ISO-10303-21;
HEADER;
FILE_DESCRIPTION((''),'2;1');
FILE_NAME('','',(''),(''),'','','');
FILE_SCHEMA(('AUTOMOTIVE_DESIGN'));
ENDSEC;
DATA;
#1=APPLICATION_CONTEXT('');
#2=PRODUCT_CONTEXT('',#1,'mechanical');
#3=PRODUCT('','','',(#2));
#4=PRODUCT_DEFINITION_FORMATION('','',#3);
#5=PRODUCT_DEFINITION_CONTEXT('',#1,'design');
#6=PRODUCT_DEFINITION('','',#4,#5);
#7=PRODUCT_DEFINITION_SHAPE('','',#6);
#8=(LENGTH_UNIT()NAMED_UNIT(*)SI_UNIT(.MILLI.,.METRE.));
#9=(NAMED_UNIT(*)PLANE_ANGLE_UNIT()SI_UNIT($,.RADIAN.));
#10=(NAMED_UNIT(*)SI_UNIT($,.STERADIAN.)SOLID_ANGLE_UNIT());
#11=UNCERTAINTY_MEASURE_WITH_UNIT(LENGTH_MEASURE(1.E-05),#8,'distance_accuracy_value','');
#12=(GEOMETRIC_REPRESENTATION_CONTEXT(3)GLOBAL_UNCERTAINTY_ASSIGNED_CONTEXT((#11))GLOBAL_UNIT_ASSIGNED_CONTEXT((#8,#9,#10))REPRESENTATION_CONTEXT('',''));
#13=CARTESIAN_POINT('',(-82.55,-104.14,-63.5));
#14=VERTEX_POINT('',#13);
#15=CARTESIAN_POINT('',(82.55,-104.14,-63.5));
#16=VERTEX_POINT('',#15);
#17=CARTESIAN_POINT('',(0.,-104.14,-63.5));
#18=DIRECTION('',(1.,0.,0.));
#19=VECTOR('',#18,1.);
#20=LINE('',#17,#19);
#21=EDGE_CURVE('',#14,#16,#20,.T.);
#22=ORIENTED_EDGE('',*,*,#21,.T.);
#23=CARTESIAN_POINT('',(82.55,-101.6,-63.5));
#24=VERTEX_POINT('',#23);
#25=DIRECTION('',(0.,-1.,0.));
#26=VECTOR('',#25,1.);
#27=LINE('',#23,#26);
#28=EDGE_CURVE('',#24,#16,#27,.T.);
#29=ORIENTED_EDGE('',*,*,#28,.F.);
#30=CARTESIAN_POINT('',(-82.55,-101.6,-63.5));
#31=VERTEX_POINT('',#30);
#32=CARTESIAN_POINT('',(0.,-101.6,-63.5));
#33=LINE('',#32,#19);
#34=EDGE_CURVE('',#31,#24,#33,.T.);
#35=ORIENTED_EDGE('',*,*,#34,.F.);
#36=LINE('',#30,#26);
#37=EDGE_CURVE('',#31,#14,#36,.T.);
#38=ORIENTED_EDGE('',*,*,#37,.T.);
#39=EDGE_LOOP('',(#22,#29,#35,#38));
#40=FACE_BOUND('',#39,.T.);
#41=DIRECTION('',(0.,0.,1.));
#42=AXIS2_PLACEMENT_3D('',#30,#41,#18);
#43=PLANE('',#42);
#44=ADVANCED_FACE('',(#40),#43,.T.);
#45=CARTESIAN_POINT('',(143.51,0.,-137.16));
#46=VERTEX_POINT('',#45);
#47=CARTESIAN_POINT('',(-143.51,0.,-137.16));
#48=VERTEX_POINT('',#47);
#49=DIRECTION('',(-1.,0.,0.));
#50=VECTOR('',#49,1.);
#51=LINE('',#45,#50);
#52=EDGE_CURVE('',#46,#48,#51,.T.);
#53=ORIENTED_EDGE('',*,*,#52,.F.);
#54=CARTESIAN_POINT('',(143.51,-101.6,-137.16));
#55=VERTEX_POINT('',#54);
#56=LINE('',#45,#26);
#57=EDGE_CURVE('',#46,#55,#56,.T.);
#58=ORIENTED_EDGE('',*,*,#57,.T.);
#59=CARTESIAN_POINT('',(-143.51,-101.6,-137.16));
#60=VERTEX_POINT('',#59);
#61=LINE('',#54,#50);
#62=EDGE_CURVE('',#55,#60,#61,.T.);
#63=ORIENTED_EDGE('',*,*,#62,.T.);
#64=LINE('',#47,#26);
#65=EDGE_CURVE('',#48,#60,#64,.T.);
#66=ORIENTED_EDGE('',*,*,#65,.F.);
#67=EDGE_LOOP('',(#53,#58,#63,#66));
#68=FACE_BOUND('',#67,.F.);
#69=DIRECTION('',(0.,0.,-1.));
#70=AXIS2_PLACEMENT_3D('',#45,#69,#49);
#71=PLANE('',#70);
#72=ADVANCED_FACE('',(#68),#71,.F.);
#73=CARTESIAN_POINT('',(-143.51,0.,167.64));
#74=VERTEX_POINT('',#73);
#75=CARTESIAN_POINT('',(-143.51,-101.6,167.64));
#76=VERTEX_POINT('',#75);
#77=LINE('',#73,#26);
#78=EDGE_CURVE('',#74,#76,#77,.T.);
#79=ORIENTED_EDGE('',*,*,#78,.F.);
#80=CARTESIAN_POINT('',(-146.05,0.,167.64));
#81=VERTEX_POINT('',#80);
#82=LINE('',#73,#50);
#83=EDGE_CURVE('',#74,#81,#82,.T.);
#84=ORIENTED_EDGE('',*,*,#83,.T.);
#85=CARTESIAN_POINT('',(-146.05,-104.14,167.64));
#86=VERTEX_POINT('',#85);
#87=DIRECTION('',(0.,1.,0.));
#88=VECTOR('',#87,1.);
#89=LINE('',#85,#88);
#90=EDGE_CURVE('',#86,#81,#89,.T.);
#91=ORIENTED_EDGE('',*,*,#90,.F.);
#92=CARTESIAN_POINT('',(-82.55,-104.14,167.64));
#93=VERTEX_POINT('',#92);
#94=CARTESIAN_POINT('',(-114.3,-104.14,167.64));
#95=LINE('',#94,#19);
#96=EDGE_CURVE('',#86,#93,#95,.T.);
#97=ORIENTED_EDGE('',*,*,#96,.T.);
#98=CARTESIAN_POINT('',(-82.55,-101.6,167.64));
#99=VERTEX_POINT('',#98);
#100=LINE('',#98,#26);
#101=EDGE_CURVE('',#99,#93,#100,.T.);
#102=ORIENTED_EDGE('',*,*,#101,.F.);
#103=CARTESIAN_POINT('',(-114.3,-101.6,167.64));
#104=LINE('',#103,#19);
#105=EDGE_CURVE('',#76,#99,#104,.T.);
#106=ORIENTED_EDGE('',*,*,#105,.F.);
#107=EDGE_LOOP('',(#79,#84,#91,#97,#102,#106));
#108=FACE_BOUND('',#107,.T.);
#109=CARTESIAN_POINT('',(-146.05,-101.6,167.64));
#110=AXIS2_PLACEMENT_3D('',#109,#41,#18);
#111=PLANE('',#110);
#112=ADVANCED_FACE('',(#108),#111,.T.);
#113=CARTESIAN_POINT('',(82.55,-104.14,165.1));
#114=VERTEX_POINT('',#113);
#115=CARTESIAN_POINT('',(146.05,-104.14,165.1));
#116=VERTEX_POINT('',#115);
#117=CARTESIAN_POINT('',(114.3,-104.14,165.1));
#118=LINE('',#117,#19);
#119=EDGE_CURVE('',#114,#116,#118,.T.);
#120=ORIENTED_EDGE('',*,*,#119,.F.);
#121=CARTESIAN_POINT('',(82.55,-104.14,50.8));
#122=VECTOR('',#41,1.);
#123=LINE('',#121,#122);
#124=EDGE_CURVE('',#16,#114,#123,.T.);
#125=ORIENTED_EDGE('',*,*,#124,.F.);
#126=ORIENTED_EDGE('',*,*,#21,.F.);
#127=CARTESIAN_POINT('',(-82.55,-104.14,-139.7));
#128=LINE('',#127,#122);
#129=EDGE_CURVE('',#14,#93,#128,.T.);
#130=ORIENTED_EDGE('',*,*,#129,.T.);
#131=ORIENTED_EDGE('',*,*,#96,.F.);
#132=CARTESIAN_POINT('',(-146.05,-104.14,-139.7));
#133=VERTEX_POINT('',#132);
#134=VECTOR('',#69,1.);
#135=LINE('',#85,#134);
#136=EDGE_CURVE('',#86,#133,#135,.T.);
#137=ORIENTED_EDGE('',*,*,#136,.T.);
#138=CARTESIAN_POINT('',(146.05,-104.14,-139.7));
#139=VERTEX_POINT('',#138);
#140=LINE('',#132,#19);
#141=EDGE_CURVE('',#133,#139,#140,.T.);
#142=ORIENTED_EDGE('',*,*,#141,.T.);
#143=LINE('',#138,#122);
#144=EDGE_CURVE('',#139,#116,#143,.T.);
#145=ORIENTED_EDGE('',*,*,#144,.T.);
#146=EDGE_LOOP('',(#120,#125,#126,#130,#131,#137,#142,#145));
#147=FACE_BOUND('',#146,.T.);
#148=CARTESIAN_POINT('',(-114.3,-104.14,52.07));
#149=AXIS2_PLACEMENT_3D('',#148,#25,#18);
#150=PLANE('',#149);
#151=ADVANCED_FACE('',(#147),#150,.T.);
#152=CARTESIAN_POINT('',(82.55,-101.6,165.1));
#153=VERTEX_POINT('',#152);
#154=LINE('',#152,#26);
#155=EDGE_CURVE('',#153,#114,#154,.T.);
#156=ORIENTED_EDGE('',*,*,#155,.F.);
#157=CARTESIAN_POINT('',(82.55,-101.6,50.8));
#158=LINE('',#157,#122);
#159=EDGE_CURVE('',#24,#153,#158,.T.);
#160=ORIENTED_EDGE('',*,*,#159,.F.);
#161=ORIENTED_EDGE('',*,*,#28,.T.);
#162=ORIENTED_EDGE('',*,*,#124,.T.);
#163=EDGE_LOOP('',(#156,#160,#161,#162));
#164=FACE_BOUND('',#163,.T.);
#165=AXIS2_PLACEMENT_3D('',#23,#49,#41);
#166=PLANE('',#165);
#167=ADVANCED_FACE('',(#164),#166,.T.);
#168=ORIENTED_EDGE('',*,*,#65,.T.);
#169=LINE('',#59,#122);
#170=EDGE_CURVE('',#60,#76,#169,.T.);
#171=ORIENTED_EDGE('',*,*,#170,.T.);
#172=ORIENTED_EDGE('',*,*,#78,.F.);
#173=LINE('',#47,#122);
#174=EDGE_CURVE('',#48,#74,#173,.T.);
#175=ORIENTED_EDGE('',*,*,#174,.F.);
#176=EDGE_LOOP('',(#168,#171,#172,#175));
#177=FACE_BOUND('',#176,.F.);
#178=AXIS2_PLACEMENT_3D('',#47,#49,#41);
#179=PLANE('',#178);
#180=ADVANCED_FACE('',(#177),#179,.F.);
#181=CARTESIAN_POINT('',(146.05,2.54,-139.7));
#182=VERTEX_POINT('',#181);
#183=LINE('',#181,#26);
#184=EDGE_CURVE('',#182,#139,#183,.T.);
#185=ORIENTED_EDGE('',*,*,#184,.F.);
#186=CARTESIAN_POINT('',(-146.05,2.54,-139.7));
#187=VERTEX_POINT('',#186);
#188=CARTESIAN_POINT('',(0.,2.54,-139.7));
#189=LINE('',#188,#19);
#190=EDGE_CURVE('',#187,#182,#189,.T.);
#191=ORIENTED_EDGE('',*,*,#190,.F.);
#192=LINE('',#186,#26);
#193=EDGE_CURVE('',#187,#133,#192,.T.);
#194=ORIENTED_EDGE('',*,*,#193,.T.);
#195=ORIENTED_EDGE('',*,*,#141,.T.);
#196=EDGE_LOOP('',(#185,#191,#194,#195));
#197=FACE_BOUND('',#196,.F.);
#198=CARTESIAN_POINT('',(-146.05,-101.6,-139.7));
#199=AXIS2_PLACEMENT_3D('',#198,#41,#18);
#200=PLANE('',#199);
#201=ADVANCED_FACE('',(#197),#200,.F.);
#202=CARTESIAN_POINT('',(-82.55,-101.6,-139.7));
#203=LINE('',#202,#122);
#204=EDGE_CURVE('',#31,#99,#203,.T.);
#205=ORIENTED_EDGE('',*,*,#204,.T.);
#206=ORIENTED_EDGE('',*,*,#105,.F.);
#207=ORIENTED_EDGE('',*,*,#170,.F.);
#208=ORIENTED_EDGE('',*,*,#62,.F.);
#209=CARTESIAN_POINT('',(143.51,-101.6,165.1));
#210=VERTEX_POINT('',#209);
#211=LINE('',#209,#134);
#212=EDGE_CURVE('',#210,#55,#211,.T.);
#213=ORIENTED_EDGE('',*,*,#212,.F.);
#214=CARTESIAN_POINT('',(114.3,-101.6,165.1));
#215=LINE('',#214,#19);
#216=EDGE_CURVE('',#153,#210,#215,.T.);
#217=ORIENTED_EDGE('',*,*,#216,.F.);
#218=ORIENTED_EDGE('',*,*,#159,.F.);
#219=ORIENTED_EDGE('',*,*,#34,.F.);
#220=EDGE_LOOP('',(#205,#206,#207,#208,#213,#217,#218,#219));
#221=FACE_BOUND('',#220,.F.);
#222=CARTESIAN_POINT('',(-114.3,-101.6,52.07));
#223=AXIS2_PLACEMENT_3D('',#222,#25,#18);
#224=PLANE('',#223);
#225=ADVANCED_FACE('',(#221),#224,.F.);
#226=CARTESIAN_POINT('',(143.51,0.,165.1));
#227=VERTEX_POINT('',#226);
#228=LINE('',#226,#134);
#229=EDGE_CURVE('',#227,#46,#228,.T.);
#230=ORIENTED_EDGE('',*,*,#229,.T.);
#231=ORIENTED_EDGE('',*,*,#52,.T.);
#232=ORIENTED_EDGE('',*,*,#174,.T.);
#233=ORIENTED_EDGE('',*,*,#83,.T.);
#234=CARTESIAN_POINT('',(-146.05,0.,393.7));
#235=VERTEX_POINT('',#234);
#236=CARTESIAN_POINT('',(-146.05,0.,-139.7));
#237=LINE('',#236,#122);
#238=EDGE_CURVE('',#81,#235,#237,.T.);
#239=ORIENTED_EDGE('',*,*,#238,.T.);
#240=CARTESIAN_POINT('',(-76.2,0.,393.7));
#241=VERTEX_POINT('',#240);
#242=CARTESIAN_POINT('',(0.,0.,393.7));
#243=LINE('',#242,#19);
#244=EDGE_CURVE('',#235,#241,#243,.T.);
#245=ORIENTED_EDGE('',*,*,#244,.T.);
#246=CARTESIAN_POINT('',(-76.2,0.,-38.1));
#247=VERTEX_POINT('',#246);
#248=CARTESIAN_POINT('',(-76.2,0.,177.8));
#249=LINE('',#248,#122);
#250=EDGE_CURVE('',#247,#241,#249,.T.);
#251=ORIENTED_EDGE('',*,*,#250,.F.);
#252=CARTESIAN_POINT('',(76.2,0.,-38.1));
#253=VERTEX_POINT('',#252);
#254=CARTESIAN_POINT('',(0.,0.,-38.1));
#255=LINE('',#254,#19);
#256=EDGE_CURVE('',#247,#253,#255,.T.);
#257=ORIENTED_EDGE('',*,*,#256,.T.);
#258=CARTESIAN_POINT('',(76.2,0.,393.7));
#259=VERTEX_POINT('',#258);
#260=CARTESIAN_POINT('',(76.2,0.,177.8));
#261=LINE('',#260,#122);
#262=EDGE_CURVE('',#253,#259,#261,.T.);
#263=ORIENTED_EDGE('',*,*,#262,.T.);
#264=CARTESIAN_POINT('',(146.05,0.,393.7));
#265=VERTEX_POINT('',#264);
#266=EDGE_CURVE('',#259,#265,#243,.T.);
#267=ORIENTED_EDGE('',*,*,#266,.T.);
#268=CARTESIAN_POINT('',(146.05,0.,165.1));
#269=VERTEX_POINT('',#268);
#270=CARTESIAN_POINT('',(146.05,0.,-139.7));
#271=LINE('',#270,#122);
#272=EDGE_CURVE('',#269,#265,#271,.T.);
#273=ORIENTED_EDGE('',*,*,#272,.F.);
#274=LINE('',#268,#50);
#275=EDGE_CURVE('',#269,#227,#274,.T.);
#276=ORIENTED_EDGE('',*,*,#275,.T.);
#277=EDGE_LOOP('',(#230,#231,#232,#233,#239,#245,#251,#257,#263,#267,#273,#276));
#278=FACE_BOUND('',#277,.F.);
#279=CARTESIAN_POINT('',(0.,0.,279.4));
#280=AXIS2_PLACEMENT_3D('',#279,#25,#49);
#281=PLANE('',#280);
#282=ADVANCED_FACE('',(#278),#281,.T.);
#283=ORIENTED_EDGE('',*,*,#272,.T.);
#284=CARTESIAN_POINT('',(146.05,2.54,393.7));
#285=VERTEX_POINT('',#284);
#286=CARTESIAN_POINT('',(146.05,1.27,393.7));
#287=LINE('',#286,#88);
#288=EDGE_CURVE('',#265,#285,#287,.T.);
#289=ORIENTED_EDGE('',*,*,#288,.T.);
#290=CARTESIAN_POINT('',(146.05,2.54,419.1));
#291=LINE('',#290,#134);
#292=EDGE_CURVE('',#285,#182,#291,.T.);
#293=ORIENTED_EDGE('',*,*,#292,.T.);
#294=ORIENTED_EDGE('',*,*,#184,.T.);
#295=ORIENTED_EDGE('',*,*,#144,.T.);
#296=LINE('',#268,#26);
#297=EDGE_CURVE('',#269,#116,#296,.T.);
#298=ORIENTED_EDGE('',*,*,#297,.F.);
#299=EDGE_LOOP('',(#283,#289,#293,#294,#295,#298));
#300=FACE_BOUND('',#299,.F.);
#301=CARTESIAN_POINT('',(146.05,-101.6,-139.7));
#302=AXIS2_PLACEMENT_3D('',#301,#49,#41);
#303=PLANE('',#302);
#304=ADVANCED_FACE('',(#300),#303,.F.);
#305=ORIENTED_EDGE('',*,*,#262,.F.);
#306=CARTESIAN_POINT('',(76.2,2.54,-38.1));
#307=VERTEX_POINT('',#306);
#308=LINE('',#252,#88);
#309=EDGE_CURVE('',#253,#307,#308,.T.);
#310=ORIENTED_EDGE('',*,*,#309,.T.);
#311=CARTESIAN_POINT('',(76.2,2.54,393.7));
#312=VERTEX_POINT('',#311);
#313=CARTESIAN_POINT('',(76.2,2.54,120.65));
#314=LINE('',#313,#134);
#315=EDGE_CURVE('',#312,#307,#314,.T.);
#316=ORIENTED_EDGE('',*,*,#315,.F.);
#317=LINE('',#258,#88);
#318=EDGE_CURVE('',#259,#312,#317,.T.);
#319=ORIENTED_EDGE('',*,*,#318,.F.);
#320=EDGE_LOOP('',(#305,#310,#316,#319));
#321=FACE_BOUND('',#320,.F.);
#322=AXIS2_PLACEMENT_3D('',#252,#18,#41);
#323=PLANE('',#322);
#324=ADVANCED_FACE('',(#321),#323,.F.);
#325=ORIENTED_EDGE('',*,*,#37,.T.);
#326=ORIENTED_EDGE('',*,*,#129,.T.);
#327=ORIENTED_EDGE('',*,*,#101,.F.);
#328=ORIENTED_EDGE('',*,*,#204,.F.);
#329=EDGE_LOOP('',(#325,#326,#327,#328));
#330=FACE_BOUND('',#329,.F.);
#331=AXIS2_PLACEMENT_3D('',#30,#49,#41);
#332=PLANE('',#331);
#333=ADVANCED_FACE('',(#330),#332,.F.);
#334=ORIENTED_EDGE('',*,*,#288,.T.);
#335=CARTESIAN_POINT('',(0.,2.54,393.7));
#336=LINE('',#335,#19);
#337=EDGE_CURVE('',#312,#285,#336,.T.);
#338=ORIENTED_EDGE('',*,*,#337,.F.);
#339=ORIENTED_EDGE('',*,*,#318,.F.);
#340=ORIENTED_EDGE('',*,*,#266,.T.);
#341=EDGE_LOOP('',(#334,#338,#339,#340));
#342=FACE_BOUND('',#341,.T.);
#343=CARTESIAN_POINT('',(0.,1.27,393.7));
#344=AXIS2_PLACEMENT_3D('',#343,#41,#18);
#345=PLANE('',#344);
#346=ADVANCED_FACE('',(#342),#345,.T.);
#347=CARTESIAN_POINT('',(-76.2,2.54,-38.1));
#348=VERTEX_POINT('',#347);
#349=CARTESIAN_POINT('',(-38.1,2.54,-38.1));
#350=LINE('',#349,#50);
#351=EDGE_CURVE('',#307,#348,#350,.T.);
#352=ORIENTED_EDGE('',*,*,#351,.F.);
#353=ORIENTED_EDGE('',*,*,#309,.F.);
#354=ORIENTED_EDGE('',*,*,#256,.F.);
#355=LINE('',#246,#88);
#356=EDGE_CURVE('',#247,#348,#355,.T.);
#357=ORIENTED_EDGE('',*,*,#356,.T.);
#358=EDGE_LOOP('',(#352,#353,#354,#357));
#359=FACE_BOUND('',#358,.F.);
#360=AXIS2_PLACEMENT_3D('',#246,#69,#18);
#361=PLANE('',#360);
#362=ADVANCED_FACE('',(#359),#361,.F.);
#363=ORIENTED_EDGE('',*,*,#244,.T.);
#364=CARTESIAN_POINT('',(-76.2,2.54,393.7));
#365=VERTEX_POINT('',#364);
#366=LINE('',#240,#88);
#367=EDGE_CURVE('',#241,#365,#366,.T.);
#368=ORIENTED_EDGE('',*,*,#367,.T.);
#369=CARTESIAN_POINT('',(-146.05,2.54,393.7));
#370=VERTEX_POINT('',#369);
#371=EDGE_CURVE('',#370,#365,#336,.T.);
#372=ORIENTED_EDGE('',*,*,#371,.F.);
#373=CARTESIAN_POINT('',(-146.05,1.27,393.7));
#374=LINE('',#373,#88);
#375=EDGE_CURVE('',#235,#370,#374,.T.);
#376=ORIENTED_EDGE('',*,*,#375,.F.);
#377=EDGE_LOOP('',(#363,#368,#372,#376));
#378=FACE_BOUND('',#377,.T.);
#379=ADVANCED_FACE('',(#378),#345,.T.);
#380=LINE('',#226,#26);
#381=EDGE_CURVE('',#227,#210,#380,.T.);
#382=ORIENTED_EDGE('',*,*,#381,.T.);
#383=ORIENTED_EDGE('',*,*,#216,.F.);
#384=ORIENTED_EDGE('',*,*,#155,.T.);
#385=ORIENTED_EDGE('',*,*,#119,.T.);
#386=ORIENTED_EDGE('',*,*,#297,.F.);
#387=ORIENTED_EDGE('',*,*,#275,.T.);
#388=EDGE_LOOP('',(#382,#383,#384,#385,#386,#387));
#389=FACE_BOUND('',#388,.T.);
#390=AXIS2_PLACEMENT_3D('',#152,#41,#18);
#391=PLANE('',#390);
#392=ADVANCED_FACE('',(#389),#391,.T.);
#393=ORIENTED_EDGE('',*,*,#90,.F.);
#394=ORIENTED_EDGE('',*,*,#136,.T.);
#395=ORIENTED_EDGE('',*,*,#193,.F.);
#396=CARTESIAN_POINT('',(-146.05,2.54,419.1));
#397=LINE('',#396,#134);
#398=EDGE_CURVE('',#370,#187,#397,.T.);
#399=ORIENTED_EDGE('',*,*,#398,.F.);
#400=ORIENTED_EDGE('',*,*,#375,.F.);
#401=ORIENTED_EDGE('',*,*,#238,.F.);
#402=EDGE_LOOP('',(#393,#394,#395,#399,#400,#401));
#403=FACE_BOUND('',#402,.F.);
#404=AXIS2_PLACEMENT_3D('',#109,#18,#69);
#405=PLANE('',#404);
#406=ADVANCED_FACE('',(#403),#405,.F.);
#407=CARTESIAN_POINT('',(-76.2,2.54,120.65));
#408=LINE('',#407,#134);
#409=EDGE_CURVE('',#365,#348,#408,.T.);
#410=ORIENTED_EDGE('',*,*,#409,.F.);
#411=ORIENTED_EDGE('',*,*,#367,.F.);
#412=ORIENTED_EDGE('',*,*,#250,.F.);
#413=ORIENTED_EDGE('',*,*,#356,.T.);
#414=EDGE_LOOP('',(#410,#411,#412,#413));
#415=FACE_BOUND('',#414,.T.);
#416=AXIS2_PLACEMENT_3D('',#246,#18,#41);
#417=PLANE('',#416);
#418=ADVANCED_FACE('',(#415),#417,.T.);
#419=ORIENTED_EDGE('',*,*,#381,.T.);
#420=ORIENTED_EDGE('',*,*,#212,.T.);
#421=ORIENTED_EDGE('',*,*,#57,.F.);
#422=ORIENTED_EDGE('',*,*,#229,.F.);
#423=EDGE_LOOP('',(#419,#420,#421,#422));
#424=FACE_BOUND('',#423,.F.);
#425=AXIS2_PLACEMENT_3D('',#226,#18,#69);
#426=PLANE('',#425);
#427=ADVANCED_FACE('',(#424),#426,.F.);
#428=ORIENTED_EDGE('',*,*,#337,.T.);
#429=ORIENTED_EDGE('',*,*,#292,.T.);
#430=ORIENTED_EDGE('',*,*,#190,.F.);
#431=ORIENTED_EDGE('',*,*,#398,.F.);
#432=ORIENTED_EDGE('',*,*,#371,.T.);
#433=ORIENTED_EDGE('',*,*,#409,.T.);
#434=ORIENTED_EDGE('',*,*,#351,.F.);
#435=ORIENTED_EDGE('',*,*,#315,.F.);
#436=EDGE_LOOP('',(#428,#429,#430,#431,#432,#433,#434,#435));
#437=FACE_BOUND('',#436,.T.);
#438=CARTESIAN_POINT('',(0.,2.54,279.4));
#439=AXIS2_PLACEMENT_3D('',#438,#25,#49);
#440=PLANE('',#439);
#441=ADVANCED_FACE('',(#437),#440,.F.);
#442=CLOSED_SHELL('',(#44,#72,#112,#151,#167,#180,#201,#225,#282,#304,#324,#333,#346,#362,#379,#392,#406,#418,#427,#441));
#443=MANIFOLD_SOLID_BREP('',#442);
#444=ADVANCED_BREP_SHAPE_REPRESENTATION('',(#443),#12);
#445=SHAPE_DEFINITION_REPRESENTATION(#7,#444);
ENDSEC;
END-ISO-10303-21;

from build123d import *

# Parameters (mm, degrees)
F0_W      = 292.1
F0_H      = 279.4
F1_DEPTH  = 2.54
F4_DEPTH  = 101.6
F5_W      = 63.5
F5_H      = 231.14
F5_H_2    = 76.2
F5_W_2    = 165.1
F5_H_3    = 228.6
F6_DEPTH  = 2.54
F7_W      = 292.1
F7_H      = 2.54
F8_DEPTH  = 25.4
F9_W      = 152.4
F9_H      = 431.8
F10_DEPTH = 25.4


with BuildPart() as f1:
    # F0 (on Front) → F1 (new body)
    with BuildSketch(Plane.XZ):
        Rectangle(F0_W, F0_H)
    extrude(amount=-F1_DEPTH)

    # F2: F1 across face


with BuildPart() as f1_1:
    add(f1.part)
    add(f1.part.mirror(Plane(origin=(0, 1.27, 139.7), x_dir=(1, 0, 0), z_dir=(0, 0, 1))))

    # F3 (on face) → F4 (join)
    with BuildSketch(Plane.XZ):
        Polygon((-143.51, -137.16), (-143.51, 167.64), (-146.05, 167.64), (-146.05, -139.7), (146.05, -139.7), (146.05, 165.1), (143.51, 165.1), (143.51, -137.16), align=None)
    extrude(amount=F4_DEPTH)

    # F5 (on face) → F6 (join)
    with BuildSketch(Plane.XZ.offset(101.6)):
        with Locations((-114.3, 52.07)):
            Rectangle(F5_W, F5_H)
        with Locations((-114.3, -101.6)):
            Rectangle(F5_W, F5_H_2)
        with Locations((0, -101.6)):
            Rectangle(F5_W_2, F5_H_2)
        with Locations((114.3, 50.8)):
            Rectangle(F5_W, F5_H_3)
        with Locations((114.3, -101.6)):
            Rectangle(F5_W, F5_H_2)
    extrude(amount=F6_DEPTH)

    # F7 (on face) → F8 (cut)
    with BuildSketch(Plane.XY.offset(419.1)):
        with Locations((0, 1.27)):
            Rectangle(F7_W, F7_H)
    extrude(amount=-F8_DEPTH, mode=Mode.SUBTRACT)

    # F9 (on face) → F10 (cut)
    with BuildSketch(Plane.XZ):
        with Locations((0, 177.8)):
            Rectangle(F9_W, F9_H)
    extrude(amount=-F10_DEPTH, mode=Mode.SUBTRACT)


solid = f1_1.part
